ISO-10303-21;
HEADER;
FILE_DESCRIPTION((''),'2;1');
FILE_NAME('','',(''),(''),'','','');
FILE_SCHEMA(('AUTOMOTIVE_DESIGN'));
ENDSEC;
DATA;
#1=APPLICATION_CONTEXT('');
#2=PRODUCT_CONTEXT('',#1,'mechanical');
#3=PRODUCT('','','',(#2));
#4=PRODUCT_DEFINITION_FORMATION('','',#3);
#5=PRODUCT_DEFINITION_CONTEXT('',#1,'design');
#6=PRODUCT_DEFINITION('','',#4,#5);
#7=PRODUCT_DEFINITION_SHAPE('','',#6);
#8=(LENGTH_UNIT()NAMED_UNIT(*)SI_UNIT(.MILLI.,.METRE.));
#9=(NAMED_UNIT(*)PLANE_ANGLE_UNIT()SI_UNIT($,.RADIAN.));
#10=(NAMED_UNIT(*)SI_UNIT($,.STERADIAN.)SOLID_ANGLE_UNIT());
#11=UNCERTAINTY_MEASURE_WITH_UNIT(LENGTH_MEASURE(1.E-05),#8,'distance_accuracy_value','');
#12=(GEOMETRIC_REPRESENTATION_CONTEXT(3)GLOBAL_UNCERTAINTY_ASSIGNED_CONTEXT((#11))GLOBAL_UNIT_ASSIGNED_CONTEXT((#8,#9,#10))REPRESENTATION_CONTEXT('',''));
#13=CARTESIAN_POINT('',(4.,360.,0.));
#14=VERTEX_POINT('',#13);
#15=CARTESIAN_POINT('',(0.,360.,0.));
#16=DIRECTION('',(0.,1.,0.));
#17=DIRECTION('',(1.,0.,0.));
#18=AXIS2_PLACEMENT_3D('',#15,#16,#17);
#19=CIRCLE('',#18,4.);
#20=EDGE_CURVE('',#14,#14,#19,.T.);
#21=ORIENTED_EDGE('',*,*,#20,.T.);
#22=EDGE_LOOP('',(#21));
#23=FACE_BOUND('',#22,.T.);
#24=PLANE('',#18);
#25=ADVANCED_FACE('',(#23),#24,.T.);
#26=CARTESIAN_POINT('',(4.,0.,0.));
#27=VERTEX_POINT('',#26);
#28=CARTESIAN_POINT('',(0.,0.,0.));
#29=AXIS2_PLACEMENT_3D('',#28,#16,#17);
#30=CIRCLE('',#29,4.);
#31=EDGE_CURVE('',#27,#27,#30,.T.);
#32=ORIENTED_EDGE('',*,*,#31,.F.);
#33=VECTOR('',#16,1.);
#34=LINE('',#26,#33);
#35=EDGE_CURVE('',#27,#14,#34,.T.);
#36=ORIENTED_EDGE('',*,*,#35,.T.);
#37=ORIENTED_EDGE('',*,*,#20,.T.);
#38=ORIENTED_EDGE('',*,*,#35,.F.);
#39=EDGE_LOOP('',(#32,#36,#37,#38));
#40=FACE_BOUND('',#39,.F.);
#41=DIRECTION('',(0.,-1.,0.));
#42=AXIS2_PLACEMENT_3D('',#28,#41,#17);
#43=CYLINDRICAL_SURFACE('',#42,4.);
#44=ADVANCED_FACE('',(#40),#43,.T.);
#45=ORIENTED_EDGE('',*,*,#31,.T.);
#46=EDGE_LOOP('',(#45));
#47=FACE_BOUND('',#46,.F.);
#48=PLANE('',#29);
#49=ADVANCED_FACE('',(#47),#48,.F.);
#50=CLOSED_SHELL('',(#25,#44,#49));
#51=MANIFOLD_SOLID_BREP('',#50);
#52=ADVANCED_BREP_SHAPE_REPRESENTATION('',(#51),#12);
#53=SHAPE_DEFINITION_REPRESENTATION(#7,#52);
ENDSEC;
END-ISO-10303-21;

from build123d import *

# Parameters (mm, degrees)
SKETCH1_R           = 4
BOSS_EXTRUDE1_DEPTH = 360


with BuildPart() as part:
    # Sketch1 → Boss-Extrude1 (new body)
    with BuildSketch(Plane(origin=(0, 0, 0), x_dir=(1, 0, 0), z_dir=(0, 1, 0))):
        Circle(SKETCH1_R)
    extrude(amount=BOSS_EXTRUDE1_DEPTH)


solid = part.part
